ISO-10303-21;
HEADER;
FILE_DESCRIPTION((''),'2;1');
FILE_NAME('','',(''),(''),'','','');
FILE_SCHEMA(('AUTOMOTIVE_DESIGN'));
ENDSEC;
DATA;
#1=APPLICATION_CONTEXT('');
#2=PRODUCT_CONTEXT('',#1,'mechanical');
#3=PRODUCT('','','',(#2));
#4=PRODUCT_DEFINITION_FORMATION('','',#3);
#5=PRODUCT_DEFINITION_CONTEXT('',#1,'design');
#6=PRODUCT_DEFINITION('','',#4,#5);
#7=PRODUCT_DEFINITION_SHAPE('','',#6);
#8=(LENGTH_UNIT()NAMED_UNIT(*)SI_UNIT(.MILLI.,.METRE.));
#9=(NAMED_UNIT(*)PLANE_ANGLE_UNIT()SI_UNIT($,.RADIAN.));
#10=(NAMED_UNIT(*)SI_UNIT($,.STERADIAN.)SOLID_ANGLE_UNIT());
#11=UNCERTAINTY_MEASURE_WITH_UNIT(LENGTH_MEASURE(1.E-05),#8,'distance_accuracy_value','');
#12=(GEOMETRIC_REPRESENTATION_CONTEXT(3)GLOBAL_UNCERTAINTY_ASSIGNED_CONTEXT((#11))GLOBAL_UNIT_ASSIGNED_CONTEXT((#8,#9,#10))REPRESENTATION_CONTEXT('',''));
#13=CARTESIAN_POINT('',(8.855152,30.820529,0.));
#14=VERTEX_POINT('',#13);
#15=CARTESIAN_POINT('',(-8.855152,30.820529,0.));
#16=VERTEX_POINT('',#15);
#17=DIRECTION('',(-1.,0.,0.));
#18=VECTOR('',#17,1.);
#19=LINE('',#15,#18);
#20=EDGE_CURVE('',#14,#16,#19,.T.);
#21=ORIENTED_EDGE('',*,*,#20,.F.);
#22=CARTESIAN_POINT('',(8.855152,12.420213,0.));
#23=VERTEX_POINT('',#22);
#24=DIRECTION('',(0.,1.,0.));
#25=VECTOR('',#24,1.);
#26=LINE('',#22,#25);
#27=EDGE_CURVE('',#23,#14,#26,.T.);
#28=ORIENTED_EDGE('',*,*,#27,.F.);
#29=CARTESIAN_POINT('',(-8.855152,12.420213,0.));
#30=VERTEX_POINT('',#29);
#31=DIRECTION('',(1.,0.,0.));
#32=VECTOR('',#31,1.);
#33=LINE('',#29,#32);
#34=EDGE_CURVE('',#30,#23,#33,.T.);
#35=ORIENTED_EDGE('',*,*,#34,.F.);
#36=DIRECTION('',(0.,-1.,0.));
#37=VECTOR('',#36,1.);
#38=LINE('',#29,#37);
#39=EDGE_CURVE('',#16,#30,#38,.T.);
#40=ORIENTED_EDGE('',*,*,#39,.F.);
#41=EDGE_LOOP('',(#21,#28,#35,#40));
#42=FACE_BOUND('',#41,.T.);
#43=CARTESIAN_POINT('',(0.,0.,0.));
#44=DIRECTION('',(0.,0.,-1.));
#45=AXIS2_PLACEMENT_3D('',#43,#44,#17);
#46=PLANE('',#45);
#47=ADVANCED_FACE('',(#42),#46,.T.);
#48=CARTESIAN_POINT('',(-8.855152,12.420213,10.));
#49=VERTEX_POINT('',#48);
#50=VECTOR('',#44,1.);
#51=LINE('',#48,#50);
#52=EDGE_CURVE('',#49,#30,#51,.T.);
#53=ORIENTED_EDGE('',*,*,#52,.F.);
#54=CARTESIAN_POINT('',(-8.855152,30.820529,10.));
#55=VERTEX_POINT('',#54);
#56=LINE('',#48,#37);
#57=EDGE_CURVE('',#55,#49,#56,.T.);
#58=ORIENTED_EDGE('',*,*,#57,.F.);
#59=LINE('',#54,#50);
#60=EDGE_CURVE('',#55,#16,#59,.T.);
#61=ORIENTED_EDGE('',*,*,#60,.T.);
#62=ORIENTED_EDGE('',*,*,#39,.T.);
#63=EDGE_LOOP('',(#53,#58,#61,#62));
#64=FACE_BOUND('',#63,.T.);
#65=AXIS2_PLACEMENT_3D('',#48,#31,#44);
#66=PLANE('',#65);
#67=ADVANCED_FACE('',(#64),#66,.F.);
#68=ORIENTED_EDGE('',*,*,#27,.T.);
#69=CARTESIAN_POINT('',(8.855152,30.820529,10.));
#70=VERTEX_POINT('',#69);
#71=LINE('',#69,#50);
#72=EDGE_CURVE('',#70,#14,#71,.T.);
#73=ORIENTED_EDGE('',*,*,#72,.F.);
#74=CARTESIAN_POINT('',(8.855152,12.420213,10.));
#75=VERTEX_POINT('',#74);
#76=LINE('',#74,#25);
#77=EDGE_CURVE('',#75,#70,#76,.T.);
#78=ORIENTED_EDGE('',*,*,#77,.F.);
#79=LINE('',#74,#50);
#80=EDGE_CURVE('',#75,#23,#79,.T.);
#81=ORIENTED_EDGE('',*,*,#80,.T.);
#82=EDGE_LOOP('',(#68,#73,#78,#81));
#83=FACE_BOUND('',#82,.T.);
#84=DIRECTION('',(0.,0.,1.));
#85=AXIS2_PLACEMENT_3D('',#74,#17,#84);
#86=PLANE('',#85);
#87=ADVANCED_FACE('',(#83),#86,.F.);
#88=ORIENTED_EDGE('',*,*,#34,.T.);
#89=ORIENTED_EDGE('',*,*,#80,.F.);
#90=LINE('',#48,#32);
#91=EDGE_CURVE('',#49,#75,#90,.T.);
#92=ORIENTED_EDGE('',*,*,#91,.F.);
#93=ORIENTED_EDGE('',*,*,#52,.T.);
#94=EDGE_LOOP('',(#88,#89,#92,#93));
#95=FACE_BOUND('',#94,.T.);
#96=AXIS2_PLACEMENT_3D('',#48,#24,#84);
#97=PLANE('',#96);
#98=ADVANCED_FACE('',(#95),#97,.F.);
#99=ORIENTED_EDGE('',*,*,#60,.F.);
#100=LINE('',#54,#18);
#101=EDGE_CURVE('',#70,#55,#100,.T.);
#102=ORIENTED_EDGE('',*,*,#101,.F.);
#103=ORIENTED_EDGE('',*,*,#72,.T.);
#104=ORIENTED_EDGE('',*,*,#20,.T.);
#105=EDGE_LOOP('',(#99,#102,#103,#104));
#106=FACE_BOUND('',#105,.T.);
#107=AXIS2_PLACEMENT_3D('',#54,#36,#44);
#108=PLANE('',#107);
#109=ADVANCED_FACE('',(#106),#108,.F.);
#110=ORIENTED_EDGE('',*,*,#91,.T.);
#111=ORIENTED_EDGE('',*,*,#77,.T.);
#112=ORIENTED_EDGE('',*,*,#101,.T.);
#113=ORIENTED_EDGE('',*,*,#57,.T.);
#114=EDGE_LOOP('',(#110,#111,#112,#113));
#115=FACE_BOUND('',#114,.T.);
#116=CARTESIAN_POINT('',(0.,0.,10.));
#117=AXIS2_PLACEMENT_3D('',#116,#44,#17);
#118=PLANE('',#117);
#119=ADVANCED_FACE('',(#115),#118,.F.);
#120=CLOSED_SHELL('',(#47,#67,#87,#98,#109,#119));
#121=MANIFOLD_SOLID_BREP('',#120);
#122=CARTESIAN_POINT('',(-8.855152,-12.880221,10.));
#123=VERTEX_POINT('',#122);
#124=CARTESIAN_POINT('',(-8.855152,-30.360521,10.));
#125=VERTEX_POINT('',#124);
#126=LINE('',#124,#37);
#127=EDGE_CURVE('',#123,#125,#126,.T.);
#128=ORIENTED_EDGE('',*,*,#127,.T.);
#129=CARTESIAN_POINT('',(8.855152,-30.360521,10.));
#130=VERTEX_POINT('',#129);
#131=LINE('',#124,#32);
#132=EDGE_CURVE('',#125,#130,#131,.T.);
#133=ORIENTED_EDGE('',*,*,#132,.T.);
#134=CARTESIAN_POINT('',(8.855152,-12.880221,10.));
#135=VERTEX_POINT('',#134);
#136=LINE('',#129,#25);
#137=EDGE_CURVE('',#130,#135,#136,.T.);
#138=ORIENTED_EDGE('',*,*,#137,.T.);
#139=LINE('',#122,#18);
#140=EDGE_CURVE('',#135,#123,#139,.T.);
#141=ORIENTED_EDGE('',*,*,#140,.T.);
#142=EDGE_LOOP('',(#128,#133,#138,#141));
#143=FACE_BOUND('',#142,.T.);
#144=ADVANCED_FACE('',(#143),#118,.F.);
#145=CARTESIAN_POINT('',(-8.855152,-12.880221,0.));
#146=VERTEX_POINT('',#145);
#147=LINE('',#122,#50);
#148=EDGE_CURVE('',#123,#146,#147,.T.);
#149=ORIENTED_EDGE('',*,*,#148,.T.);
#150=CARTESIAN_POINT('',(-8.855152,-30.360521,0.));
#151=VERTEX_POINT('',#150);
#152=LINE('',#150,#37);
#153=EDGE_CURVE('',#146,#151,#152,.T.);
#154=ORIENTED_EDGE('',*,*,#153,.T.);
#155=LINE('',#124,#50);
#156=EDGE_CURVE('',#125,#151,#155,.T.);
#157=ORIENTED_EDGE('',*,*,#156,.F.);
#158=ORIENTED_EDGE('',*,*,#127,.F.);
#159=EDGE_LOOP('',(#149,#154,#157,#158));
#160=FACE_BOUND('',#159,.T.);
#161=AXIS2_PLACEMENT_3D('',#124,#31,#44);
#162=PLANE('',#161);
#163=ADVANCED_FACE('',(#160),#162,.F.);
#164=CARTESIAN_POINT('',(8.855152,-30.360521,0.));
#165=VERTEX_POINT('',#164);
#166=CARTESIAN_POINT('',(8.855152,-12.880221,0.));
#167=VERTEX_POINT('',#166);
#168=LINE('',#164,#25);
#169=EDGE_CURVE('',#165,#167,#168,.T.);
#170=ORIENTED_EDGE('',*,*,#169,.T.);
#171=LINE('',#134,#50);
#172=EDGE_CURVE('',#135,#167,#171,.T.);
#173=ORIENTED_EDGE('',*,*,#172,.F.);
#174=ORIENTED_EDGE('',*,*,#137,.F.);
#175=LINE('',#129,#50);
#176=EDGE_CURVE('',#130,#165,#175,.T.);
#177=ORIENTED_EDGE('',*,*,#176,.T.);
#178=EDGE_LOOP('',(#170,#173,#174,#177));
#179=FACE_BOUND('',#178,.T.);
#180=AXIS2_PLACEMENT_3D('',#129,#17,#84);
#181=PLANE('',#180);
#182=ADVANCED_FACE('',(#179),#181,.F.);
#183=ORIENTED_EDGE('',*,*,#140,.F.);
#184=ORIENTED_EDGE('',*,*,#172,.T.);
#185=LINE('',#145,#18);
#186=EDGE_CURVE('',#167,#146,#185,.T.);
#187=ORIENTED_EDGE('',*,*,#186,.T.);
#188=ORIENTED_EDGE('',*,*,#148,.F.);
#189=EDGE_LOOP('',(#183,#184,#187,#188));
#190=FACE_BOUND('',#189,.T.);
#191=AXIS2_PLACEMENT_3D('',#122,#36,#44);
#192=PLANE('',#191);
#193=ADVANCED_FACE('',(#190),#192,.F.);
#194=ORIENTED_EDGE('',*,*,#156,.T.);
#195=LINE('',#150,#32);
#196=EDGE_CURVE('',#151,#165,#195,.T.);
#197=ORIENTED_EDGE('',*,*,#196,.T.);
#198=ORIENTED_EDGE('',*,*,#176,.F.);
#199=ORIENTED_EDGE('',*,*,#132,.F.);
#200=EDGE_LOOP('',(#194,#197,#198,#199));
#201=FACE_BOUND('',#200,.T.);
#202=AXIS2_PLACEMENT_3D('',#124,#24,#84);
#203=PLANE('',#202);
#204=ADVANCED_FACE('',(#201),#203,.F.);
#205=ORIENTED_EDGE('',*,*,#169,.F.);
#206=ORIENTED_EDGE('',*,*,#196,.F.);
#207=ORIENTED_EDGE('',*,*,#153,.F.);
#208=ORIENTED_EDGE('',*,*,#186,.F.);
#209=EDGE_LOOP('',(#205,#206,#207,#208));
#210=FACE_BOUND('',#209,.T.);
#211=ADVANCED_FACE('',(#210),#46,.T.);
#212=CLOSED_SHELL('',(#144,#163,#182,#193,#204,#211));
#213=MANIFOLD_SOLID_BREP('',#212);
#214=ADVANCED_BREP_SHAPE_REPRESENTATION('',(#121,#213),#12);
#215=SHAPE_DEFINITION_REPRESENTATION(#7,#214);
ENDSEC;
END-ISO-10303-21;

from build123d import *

# Parameters (mm, degrees)
SKETCH1_W             = 17.710303816
SKETCH1_H             = 18.400315652
BOSS_EXTRUDE1_DEPTH   = 10
SKETCH1_H_2           = 17.480299869
BOSS_EXTRUDE1_2_DEPTH = 10


with BuildPart() as part:
    # Sketch1 → Boss-Extrude1 (new body)
    with BuildSketch(Plane.XY):
        with Locations((0, 21.620370891)):
            Rectangle(SKETCH1_W, SKETCH1_H)
    extrude(amount=BOSS_EXTRUDE1_DEPTH)


with BuildPart() as body_2:
    # Sketch1 → Boss-Extrude1 2 (new body)
    with BuildSketch(Plane.XY):
        with Locations((0, -21.620370892)):
            Rectangle(SKETCH1_W, SKETCH1_H_2)
    extrude(amount=BOSS_EXTRUDE1_2_DEPTH)


solid = Compound([part.part, body_2.part])
